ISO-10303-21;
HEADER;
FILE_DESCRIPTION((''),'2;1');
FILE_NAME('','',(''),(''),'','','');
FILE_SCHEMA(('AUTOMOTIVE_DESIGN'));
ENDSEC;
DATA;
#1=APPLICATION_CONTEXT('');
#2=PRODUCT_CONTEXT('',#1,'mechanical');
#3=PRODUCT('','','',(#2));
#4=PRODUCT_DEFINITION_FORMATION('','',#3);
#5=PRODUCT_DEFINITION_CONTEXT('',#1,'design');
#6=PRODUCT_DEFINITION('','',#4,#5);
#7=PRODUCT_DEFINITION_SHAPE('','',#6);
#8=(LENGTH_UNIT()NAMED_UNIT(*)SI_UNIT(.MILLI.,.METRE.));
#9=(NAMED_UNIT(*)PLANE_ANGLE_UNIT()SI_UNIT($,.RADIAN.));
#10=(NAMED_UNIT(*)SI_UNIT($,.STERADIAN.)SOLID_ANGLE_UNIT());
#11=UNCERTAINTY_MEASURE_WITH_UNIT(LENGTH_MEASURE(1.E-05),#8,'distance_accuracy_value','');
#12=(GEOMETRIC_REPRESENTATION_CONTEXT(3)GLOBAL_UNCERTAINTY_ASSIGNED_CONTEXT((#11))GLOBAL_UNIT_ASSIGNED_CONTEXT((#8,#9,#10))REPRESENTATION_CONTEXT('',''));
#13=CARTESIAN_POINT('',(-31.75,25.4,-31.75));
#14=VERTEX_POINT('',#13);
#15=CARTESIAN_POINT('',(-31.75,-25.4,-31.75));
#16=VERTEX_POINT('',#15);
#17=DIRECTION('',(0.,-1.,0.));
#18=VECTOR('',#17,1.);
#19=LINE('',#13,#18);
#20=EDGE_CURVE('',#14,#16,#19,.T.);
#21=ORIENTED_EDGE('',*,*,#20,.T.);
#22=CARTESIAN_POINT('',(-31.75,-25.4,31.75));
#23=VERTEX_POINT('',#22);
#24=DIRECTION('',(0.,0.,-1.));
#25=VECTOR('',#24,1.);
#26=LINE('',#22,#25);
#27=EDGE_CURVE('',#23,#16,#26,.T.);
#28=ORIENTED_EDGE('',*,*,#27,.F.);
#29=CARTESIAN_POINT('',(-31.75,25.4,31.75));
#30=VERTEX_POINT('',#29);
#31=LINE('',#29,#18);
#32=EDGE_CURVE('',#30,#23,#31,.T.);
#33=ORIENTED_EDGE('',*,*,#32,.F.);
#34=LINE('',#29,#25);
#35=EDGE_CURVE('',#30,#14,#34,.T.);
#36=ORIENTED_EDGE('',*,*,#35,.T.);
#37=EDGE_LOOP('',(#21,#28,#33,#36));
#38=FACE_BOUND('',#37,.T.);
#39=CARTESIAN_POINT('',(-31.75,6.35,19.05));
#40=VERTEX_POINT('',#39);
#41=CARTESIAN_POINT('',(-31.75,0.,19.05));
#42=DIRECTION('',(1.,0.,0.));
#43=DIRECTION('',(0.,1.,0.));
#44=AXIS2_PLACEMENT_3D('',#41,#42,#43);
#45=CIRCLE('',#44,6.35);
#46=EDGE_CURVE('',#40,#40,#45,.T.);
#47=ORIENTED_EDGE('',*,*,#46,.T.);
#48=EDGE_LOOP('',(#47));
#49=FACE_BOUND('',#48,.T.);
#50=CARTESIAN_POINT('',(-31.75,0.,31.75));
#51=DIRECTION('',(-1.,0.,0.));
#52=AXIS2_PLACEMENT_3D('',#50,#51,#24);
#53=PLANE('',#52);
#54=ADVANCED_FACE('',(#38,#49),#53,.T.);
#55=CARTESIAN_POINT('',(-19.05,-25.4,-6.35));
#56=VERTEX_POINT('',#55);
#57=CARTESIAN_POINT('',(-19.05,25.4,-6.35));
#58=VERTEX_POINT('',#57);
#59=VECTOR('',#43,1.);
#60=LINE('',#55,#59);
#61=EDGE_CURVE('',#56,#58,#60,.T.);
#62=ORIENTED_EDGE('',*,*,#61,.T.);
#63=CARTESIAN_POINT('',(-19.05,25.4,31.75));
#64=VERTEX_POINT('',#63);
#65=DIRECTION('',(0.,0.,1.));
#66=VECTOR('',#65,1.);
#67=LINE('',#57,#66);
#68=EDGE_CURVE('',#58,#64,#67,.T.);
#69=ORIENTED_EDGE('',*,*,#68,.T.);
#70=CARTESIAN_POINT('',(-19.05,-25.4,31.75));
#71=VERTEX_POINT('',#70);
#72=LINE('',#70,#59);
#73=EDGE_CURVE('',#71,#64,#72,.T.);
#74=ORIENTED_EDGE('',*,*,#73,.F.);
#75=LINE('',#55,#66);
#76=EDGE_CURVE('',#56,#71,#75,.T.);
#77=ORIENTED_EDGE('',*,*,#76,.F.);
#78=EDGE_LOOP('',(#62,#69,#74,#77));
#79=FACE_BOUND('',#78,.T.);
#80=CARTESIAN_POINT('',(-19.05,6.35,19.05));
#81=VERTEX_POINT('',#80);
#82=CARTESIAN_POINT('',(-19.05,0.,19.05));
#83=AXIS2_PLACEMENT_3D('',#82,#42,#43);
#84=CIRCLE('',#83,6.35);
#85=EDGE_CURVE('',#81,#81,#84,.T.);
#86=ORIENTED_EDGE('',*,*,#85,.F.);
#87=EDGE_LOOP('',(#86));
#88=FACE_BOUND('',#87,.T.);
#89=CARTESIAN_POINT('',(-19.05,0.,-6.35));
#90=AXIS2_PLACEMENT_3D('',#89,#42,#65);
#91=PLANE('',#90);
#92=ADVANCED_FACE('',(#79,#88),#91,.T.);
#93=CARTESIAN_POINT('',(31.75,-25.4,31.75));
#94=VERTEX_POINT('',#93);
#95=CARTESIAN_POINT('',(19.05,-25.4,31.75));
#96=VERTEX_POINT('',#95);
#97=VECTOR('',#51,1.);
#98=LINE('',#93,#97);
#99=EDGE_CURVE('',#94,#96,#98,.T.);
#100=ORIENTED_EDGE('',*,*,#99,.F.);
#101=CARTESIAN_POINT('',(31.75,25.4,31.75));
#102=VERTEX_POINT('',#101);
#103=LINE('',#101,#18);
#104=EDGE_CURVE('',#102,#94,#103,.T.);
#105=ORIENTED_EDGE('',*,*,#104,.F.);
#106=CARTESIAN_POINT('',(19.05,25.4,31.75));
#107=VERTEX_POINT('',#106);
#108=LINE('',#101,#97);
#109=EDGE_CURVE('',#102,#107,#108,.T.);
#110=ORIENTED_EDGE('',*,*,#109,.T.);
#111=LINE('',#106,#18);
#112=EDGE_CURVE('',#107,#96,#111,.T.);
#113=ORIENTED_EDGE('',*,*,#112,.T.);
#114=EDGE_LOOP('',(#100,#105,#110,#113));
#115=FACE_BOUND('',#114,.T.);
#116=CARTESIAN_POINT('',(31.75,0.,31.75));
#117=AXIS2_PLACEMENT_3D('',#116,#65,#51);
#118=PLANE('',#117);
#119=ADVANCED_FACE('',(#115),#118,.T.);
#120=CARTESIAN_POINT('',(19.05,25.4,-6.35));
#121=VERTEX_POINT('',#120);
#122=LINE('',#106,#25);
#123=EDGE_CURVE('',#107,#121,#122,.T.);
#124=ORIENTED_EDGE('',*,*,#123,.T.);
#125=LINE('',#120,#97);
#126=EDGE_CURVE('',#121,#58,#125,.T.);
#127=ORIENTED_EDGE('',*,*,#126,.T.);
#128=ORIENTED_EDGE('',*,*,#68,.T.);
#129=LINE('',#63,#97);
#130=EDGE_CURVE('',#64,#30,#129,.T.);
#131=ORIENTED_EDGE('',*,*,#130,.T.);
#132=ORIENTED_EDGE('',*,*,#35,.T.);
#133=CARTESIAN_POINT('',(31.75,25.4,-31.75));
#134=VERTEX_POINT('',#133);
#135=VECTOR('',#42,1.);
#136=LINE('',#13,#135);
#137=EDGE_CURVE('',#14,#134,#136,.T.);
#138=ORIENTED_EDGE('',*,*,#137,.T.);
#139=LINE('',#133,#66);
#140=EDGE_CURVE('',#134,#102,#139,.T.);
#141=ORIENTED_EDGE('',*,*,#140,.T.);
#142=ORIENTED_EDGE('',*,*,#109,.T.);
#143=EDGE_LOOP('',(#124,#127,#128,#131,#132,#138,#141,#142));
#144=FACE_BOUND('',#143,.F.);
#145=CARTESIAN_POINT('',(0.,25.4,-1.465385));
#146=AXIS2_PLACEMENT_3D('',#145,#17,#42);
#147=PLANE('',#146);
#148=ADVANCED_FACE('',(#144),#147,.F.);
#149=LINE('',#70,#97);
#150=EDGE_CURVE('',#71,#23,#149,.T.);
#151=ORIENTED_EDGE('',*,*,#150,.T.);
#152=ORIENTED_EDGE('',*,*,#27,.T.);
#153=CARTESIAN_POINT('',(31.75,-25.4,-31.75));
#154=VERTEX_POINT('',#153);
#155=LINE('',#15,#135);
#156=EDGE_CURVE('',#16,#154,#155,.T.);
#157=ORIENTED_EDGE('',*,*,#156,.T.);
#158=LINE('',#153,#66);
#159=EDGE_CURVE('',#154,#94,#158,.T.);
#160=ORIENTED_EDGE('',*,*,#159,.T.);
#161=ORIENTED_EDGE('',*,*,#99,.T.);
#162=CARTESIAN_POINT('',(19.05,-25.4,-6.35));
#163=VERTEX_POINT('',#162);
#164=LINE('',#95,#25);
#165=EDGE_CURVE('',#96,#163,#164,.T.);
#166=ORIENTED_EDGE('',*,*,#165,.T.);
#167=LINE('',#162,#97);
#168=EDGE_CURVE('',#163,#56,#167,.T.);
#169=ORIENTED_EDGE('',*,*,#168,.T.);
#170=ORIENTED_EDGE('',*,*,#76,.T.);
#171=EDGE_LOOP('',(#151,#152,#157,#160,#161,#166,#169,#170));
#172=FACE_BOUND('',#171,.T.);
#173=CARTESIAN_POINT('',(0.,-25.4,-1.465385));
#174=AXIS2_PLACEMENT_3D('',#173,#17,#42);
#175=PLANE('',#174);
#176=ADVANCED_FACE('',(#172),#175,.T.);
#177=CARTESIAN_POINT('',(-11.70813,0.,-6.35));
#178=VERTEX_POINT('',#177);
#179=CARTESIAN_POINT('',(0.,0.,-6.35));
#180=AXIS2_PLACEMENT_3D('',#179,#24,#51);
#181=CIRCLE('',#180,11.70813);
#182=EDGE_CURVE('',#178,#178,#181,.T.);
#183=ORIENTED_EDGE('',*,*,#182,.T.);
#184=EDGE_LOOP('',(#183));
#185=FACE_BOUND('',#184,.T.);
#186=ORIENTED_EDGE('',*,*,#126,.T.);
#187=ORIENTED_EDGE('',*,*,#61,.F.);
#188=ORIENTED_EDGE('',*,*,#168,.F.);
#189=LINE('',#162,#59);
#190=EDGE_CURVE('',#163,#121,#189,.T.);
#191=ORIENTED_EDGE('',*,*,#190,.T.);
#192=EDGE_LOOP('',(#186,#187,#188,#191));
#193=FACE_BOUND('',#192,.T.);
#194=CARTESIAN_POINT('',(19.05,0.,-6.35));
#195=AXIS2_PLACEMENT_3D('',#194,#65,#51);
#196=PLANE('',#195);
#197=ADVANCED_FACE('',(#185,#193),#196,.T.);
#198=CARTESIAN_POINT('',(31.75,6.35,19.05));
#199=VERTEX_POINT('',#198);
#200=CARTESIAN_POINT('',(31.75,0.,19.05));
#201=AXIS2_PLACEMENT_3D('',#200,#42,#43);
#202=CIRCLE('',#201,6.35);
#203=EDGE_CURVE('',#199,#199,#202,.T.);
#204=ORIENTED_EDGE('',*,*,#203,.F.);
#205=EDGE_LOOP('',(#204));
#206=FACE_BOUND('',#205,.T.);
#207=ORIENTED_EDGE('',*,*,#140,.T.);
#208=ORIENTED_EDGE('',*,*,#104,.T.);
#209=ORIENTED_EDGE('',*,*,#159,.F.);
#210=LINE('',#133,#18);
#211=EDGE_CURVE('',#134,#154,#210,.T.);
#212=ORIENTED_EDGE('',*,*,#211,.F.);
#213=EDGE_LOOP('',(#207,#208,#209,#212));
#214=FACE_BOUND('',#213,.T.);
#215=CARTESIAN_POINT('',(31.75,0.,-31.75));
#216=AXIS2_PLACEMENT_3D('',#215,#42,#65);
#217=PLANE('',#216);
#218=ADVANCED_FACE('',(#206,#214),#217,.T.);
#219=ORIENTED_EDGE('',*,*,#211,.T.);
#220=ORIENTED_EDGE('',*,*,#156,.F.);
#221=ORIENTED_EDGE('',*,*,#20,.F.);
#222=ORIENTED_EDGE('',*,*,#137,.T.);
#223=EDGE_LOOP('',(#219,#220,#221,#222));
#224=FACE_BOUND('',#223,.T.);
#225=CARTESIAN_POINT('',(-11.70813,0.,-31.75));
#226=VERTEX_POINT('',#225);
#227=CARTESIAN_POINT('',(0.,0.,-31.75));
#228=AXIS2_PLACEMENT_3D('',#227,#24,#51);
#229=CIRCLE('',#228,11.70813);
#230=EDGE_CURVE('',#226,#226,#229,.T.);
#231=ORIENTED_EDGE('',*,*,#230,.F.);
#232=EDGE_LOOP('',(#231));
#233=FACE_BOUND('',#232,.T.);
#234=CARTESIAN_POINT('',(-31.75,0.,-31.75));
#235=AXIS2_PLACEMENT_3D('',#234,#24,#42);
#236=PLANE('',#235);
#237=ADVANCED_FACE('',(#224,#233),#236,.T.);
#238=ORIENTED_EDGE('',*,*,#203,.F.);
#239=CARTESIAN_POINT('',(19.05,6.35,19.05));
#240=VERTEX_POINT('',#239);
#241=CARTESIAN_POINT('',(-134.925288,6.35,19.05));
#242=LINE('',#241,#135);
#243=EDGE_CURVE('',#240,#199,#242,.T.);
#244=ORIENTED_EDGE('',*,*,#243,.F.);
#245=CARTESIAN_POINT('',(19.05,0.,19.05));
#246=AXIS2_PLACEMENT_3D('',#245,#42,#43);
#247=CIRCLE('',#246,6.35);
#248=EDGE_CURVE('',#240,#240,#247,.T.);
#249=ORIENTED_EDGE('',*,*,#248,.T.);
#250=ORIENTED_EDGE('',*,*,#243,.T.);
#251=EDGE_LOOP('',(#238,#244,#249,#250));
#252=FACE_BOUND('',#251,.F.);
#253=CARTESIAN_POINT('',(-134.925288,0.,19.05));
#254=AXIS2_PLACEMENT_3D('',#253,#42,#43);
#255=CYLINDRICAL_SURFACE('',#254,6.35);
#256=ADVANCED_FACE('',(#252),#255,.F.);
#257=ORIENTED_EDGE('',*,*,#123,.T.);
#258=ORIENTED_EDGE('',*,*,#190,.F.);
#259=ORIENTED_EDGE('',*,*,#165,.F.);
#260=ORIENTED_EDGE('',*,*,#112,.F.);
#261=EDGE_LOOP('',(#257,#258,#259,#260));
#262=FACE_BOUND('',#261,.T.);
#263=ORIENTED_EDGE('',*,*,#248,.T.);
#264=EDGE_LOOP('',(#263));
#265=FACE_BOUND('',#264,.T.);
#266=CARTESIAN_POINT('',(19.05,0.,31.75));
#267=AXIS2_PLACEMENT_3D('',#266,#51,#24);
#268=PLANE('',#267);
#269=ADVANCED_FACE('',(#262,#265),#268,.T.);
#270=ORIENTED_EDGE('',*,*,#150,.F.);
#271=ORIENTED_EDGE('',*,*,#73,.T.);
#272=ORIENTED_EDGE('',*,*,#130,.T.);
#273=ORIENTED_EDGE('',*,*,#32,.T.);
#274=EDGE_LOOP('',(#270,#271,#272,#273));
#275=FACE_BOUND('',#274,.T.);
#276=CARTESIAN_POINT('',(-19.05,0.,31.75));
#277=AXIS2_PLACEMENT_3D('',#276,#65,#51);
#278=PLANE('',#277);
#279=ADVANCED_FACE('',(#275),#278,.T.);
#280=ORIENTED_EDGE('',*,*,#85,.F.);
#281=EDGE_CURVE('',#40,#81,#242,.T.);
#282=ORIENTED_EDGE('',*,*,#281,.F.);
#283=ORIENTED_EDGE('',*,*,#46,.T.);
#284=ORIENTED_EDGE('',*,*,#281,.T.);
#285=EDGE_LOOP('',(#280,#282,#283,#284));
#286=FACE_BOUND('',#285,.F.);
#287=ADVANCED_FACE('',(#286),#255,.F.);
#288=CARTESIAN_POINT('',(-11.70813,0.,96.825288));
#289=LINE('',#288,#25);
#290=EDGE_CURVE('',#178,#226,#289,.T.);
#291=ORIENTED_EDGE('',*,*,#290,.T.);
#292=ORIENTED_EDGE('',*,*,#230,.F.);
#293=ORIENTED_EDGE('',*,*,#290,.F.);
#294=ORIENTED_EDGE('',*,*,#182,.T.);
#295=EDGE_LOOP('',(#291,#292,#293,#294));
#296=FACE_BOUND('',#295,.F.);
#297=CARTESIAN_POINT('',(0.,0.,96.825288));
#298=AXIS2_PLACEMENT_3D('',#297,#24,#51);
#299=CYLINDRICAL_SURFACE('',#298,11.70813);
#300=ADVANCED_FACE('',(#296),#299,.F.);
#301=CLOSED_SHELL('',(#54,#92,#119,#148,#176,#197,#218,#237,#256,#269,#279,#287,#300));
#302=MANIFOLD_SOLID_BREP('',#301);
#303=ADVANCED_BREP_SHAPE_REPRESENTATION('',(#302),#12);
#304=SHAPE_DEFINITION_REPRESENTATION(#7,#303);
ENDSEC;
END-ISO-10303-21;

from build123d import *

# Parameters (mm, degrees)
F1_DEPTH = 25.4
F3_D     = 12.7
F5_D     = 23.41626


with BuildPart() as f1:
    # F0 (on Front) → F1 (new body, symmetric)
    with BuildSketch(Plane.XZ):
        Polygon((-19.05, 31.75), (-31.75, 31.75), (-31.75, -31.75), (31.75, -31.75), (31.75, 31.75), (19.05, 31.75), (19.05, -6.35), (-19.05, -6.35), align=None)
    extrude(amount=F1_DEPTH, both=True)

    # F3 (through all)
    with Locations(Plane(origin=(-31.75, 0, 0), x_dir=(0, -1, 0), z_dir=(-1, 0, 0))):
        with Locations((0, 19.05)):
            Hole(F3_D / 2)

    # F5 (through all)
    with Locations(Plane.XY.offset(-6.35)):
        with Locations((0, 0)):
            Hole(F5_D / 2)


solid = f1.part
